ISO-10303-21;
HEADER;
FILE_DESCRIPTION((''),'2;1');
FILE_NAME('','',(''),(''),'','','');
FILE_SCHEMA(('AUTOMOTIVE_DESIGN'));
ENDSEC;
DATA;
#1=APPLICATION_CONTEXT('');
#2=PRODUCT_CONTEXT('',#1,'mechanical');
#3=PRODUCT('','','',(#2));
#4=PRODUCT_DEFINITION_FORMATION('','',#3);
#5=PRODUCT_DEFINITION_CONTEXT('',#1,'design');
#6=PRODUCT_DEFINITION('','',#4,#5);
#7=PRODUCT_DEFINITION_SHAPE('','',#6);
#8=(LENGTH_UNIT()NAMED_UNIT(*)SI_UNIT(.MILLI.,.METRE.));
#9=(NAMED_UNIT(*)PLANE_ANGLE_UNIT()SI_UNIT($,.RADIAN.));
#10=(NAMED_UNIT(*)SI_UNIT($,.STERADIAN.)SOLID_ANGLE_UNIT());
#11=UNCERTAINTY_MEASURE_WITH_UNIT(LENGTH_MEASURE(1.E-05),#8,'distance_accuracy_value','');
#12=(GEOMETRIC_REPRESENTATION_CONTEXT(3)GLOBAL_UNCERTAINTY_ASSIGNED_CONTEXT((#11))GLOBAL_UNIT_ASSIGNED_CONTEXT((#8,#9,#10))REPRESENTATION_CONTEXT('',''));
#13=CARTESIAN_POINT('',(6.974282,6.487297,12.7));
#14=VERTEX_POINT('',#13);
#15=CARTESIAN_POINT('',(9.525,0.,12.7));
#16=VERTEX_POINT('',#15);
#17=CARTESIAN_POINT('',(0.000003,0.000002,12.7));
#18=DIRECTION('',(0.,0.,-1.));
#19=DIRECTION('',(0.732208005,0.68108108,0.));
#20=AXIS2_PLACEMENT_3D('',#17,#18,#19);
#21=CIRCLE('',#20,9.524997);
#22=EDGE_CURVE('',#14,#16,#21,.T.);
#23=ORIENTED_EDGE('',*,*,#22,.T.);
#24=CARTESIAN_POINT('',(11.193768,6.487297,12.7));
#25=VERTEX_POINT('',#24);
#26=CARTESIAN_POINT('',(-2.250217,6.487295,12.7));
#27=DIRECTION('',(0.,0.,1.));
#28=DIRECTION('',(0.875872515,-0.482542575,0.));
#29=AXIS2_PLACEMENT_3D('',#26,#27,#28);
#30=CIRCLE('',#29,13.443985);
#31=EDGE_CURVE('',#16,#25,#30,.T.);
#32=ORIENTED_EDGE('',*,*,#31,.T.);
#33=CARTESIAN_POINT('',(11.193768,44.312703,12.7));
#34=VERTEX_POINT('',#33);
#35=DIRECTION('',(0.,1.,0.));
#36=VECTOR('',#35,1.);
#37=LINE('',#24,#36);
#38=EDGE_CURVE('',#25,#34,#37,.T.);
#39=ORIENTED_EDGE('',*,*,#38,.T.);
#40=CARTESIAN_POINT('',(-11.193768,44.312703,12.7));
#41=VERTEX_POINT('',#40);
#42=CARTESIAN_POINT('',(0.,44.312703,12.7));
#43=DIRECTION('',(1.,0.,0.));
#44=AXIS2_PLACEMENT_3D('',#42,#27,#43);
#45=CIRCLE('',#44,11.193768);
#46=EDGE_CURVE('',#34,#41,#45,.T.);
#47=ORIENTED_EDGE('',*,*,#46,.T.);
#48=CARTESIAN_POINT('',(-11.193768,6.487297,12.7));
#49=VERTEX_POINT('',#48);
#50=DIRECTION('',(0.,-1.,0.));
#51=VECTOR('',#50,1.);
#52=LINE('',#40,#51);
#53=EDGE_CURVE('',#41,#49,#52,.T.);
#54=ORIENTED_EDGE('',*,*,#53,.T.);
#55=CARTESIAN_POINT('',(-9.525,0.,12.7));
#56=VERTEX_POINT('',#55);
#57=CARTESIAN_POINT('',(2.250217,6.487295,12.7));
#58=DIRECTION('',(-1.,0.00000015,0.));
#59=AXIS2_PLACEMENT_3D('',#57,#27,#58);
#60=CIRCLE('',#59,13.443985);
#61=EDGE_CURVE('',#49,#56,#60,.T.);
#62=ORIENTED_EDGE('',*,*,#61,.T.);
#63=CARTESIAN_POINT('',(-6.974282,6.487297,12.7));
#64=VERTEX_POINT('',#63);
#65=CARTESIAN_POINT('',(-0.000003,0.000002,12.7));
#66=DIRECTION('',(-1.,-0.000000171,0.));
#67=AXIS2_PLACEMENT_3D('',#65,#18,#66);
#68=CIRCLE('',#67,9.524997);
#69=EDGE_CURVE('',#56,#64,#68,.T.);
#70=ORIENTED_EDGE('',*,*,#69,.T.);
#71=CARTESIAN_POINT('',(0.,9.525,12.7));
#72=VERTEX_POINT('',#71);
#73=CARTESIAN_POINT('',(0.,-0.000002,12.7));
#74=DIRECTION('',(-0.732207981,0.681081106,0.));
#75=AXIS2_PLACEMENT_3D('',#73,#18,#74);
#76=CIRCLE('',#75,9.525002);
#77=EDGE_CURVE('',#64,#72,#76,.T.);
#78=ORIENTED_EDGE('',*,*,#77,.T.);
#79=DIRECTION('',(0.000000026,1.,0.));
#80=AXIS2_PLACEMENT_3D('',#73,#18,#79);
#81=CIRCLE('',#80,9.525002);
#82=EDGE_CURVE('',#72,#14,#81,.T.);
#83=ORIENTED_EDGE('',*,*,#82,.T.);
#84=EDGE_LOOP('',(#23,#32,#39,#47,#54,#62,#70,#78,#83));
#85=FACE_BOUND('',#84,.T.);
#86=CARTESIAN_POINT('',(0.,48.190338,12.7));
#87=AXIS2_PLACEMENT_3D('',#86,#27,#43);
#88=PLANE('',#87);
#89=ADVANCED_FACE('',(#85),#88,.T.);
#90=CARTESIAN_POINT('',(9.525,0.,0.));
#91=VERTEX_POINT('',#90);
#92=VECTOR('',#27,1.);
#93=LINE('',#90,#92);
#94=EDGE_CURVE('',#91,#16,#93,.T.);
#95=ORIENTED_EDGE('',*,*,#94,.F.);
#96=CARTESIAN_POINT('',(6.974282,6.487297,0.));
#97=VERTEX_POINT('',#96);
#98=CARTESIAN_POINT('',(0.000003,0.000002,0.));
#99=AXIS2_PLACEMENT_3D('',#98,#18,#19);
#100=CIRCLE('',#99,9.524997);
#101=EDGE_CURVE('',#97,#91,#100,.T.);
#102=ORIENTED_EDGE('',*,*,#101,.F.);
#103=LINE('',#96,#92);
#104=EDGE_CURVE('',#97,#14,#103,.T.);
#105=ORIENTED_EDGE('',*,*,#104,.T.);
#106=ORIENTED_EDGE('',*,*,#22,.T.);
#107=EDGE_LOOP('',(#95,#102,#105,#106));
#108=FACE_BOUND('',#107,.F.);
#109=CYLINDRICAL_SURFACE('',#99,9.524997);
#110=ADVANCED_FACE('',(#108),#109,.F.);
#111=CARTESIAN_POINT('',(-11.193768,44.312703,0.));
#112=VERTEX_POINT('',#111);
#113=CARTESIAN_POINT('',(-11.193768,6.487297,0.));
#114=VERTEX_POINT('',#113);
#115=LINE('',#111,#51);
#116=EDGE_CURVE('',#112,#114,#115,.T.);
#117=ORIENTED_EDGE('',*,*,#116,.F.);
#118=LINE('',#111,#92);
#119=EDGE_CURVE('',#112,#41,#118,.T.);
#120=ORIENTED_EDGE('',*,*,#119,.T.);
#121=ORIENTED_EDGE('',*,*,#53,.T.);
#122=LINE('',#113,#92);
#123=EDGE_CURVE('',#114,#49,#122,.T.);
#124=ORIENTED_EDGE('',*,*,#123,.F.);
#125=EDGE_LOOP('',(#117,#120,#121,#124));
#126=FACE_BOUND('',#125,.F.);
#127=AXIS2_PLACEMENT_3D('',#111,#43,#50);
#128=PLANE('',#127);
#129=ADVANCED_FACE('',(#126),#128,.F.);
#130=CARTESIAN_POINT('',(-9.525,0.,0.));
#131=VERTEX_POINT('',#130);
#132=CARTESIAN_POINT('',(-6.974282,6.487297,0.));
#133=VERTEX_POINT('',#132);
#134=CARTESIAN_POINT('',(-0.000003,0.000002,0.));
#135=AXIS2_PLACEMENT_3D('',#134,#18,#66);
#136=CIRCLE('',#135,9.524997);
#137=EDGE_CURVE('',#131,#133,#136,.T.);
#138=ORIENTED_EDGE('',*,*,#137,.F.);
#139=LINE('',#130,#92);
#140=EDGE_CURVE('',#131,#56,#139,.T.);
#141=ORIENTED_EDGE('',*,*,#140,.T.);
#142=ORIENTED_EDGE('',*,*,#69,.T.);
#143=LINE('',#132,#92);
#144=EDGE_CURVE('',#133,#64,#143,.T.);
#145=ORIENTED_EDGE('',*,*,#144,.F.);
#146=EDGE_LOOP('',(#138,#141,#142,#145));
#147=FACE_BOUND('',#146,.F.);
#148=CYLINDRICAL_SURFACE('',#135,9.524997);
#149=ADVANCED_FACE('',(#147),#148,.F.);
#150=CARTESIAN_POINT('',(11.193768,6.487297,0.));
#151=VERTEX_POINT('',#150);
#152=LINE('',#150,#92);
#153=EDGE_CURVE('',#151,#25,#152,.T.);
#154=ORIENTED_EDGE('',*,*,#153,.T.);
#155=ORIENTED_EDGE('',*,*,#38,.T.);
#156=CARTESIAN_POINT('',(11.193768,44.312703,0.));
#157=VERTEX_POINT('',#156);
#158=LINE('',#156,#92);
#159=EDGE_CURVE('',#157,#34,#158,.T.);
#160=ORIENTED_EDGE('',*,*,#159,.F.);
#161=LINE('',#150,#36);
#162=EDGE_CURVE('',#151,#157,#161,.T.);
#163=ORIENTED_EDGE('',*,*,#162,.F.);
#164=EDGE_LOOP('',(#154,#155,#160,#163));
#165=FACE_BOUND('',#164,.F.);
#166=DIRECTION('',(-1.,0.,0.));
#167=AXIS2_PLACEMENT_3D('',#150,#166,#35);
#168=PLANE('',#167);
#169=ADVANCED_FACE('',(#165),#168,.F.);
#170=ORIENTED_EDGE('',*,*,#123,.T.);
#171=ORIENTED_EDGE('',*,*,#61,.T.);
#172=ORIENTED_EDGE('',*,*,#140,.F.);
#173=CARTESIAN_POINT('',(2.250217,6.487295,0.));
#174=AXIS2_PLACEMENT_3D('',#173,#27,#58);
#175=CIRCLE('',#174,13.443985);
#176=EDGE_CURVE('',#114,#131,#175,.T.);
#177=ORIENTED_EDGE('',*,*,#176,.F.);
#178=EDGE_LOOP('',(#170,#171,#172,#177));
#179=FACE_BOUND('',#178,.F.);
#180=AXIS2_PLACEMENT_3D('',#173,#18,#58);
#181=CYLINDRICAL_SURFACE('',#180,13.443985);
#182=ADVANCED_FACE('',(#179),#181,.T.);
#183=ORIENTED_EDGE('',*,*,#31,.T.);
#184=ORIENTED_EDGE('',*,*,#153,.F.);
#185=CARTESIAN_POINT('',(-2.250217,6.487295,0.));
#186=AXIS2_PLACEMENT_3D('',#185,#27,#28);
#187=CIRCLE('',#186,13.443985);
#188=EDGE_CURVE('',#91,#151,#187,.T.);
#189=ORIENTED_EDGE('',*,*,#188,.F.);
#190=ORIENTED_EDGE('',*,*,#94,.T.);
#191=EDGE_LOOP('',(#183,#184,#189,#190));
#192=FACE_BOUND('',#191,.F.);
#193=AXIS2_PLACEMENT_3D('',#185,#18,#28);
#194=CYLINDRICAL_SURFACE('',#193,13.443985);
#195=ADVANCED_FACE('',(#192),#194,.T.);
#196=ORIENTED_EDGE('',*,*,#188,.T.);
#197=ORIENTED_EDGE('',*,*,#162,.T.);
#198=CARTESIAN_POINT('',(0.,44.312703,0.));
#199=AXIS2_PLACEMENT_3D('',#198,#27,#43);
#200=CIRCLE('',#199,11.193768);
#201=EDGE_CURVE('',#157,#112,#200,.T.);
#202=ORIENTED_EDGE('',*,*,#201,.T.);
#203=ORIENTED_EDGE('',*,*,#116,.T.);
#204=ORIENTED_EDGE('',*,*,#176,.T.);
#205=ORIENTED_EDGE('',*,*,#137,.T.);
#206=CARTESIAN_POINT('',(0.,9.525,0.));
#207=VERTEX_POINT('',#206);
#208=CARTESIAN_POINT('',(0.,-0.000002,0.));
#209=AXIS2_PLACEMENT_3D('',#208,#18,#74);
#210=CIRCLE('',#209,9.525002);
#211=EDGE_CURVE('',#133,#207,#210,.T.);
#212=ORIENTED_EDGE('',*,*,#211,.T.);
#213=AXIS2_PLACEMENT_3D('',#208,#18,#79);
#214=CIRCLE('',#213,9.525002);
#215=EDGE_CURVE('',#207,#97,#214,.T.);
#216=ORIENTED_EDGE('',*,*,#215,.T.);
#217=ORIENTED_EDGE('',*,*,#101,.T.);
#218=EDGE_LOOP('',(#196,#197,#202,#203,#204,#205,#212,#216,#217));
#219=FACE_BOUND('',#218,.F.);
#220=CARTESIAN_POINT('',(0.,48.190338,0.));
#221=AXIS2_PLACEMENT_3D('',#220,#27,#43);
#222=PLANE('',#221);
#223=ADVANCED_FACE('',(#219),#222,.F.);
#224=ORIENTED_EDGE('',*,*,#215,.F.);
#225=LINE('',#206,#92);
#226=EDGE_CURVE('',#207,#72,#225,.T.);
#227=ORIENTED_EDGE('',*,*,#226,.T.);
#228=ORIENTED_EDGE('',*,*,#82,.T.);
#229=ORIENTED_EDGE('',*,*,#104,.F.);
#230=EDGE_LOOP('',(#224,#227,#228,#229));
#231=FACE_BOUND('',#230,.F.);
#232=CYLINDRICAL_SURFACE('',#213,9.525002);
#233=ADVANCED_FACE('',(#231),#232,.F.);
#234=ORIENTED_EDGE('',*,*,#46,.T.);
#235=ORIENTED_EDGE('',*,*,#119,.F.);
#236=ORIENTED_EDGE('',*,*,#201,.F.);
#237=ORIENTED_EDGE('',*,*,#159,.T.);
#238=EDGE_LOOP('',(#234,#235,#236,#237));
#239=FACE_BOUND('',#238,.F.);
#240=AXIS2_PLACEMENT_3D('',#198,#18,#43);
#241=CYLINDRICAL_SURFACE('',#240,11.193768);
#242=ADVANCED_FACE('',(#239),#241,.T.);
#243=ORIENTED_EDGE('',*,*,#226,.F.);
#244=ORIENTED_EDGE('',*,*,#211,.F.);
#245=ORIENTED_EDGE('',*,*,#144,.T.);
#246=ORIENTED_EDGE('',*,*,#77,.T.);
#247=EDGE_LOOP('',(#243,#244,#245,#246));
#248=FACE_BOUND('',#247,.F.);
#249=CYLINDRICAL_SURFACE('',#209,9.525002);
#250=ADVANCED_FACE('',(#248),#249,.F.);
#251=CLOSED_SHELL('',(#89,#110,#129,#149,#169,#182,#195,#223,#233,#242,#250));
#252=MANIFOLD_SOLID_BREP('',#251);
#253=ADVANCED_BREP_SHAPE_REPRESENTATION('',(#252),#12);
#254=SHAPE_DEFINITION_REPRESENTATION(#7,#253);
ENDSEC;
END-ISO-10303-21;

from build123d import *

# Parameters (mm, degrees)
F1_DEPTH = 12.7


with BuildPart() as f1:
    # F0 (on Top) → F1 (new body)
    with BuildSketch(Plane.XY):
        with BuildLine():
            ThreePointArc((11.193768, 44.312703), (0, 55.506471), (-11.193768, 44.312703))
            Line((-11.193768, 44.312703), (11.193768, 44.312703))
        make_face()
        with BuildLine():
            Line((-11.193768, 6.487297), (-6.974282, 6.487297))
            ThreePointArc((-6.974282, 6.487297), (-3.803559, 8.732615), (0, 9.525))
            ThreePointArc((0, 9.525), (3.803559, 8.732615), (6.974282, 6.487297))
            Line((6.974282, 6.487297), (11.193768, 6.487297))
            Line((11.193768, 6.487297), (11.193768, 44.312703))
            Line((11.193768, 44.312703), (-11.193768, 44.312703))
            Line((-11.193768, 44.312703), (-11.193768, 6.487297))
        make_face()
        with BuildLine():
            Line((11.193768, 6.487297), (6.974282, 6.487297))
            ThreePointArc((6.974282, 6.487297), (8.864414, 3.485369), (9.525, 0))
            ThreePointArc((9.525, 0), (10.769894, 3.13805), (11.193768, 6.487297))
        make_face()
        with BuildLine():
            ThreePointArc((-11.193768, 6.487297), (-10.769894, 3.13805), (-9.525, 0))
            ThreePointArc((-9.525, 0), (-8.864414, 3.485369), (-6.974282, 6.487297))
            Line((-6.974282, 6.487297), (-11.193768, 6.487297))
        make_face()
    extrude(amount=F1_DEPTH)


solid = f1.part
